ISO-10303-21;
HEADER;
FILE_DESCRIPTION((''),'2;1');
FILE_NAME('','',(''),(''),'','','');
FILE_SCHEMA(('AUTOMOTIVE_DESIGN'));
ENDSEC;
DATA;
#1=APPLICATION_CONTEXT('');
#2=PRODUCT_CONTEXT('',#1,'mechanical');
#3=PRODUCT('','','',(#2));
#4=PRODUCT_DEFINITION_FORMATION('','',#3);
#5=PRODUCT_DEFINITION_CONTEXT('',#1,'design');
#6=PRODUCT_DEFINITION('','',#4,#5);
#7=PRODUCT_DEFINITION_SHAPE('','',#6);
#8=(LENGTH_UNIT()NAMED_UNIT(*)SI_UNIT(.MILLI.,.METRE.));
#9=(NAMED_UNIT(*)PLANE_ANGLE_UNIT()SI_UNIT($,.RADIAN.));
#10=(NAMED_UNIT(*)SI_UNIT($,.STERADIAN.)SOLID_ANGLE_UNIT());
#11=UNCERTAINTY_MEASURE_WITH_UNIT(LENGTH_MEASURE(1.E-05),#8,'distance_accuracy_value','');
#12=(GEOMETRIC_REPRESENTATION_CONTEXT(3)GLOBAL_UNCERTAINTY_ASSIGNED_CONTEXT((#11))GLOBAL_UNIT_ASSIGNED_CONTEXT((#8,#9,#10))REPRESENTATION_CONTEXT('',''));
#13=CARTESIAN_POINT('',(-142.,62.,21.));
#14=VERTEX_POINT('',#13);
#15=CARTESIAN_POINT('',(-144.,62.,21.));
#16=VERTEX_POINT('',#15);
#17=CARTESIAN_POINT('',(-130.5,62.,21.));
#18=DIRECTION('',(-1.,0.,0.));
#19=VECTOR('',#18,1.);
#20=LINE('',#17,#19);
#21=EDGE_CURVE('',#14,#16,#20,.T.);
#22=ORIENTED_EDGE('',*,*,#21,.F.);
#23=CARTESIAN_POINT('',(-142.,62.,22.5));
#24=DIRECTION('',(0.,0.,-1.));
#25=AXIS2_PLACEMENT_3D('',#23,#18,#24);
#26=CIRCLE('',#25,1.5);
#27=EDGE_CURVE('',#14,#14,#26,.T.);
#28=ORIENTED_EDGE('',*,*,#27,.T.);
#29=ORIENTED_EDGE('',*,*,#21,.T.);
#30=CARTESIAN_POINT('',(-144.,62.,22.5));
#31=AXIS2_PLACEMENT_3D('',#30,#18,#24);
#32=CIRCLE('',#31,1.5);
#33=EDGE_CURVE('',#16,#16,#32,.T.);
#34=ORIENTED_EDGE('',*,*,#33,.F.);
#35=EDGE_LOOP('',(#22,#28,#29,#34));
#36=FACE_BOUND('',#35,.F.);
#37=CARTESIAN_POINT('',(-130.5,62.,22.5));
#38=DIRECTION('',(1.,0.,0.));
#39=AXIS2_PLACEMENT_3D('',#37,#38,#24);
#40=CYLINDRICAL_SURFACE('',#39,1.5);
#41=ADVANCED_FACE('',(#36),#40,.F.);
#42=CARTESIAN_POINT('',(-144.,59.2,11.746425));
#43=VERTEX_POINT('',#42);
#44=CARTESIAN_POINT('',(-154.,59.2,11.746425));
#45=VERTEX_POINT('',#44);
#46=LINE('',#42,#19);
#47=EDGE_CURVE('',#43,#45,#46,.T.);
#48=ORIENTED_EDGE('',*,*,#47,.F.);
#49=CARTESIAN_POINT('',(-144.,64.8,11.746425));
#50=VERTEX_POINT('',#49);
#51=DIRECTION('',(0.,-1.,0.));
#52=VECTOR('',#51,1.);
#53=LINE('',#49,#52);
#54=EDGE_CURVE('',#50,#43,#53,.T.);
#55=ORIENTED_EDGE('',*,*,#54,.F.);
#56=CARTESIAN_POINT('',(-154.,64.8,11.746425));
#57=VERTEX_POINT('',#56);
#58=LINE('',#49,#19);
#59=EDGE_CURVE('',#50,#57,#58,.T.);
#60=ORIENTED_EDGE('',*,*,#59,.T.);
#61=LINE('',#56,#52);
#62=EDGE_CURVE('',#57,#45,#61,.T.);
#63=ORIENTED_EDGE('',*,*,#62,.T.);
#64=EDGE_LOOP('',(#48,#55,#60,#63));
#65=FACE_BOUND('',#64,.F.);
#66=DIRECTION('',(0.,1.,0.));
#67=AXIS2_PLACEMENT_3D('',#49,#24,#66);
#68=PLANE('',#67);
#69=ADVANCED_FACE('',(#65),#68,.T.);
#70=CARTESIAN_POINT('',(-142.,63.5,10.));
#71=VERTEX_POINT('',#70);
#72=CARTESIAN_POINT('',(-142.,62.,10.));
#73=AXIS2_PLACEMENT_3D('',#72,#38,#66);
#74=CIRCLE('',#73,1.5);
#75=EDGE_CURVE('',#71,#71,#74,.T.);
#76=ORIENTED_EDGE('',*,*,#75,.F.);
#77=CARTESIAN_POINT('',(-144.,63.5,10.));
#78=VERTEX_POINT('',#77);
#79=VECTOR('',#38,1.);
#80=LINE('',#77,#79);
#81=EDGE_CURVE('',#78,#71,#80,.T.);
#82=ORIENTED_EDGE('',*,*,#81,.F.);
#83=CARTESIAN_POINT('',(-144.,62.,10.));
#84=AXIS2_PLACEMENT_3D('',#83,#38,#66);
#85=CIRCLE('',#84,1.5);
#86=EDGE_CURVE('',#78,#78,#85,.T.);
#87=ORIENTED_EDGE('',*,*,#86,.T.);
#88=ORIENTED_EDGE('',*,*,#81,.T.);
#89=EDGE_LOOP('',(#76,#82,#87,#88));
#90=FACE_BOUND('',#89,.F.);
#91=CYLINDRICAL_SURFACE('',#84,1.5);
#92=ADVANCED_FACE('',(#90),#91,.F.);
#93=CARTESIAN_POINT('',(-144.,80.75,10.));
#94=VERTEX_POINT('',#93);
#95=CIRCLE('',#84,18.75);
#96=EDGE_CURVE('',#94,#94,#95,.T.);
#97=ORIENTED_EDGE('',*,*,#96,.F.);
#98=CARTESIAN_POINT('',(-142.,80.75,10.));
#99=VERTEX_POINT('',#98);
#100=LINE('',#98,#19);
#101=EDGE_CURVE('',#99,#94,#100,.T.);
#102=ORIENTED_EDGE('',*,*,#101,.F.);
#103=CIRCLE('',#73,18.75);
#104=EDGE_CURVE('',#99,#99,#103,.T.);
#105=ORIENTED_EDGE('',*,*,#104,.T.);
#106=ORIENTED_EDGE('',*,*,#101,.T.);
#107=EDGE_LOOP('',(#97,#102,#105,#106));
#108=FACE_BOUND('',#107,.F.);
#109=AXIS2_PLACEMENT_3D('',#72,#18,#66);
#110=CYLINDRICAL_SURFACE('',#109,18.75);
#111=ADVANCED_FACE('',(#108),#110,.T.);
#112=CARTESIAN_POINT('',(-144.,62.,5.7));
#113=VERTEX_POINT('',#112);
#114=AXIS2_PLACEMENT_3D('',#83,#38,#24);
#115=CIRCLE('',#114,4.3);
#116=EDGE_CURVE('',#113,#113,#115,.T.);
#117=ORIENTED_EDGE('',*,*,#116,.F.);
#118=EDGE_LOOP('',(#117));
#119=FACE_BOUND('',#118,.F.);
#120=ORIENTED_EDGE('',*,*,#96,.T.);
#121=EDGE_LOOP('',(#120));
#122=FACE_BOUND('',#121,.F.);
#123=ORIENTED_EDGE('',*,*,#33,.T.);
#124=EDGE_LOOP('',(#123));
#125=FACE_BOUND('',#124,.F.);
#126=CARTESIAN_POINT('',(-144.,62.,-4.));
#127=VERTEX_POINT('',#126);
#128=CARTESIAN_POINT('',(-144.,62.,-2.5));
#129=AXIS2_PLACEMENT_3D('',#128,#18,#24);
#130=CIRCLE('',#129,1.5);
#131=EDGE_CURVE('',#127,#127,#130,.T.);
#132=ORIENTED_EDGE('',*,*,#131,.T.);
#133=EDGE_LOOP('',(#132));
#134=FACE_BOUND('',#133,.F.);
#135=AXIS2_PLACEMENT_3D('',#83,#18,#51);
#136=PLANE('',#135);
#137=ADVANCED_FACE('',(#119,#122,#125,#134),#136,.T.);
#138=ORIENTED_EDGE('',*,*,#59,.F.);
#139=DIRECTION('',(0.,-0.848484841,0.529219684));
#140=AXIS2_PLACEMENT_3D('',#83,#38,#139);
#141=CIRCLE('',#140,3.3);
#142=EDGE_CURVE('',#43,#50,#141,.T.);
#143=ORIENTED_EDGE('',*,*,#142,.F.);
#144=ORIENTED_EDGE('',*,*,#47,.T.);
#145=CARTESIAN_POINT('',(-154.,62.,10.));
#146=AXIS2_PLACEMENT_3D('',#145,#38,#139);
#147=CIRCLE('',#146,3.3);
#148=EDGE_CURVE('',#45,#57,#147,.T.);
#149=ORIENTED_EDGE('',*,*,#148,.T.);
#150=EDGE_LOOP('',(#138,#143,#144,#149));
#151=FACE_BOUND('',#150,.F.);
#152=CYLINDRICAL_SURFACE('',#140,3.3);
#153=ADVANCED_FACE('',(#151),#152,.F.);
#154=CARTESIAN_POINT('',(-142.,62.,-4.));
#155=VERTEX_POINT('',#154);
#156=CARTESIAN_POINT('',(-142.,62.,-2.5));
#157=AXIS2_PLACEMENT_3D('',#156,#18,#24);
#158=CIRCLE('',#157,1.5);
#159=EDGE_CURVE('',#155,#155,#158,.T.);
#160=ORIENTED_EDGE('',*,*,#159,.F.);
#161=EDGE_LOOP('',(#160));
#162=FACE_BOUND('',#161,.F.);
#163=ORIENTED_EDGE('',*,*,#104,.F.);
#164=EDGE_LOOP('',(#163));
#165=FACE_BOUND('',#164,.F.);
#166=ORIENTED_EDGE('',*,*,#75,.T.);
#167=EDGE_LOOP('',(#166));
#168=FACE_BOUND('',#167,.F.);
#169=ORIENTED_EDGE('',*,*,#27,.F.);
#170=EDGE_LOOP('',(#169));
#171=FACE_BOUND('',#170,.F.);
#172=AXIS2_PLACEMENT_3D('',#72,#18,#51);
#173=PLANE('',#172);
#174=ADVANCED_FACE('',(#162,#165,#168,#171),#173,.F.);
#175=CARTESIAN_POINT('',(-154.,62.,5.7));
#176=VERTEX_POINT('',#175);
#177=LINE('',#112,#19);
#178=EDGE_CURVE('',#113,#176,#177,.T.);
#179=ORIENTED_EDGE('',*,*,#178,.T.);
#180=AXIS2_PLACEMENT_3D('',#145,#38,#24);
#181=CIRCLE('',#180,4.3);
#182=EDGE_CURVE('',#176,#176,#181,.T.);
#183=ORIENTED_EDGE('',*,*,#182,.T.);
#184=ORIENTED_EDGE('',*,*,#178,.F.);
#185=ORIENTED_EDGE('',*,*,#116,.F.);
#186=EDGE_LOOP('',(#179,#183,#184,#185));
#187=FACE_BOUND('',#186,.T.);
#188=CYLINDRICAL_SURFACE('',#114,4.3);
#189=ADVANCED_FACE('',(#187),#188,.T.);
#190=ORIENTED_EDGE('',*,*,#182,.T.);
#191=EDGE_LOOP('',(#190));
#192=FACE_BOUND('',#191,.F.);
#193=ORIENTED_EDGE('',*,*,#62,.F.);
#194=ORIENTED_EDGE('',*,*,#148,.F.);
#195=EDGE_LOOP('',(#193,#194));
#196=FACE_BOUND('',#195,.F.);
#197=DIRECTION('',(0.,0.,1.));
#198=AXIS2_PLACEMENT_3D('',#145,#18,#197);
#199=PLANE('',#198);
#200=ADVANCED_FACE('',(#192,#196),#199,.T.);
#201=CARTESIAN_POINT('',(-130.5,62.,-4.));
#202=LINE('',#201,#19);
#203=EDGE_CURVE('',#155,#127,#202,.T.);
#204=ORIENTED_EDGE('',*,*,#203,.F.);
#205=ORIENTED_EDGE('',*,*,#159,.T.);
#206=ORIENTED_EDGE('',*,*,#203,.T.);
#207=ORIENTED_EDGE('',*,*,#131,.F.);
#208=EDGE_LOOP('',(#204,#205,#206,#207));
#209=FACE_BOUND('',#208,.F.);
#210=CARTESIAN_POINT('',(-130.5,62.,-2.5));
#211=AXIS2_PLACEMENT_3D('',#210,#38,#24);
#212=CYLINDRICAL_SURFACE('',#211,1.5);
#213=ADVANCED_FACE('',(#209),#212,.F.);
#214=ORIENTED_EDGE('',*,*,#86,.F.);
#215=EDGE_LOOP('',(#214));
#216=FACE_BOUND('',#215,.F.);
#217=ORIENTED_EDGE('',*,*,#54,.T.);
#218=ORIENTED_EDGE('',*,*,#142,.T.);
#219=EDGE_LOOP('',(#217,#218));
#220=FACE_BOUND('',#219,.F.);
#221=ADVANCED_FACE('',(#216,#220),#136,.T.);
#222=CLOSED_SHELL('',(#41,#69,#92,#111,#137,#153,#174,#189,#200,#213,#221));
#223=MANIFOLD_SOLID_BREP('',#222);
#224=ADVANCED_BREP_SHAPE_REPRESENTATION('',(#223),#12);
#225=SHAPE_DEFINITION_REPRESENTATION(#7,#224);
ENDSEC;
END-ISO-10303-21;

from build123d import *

# Parameters (mm, degrees)
CYLINDER031_R           = 1.5
CYLINDER031_DEPTH       = 15
CYLINDER031_PITCH_ANGLE = 90
CYLINDER030_R           = 1.5
CYLINDER030_DEPTH       = 15
CYLINDER030_PITCH_ANGLE = 90
SKETCH016_R             = 4.3
EXTRUDE011_DEPTH        = 10
FUSION039_PITCH_ANGLE   = 90


with BuildPart() as m3_hole008:
    # Cylinder031 → Cylinder031 (new body)
    with BuildSketch(Plane.XY):
        Circle(CYLINDER031_R)
    extrude(amount=CYLINDER031_DEPTH)


with BuildPart() as m3_hole008_1:
    # Cylinder031 pitch: moved
    add(m3_hole008.part.rotate(Axis((0, 0, 0), (0, 1, 0)), CYLINDER031_PITCH_ANGLE))


with BuildPart() as m3_hole008_2:
    # Cylinder031 placement: moved
    add(m3_hole008_1.part.moved(Location((163.5, 47, -2.5))))


with BuildPart() as encoder_to_wheel_holes:
    # Cylinder030 → Cylinder030 (new body)
    with BuildSketch(Plane.XY):
        Circle(CYLINDER030_R)
    extrude(amount=CYLINDER030_DEPTH)


with BuildPart() as encoder_to_wheel_holes_1:
    # Cylinder030 pitch: moved
    add(encoder_to_wheel_holes.part.rotate(Axis((0, 0, 0), (0, 1, 0)), CYLINDER030_PITCH_ANGLE))


with BuildPart() as encoder_to_wheel_holes_2:
    # Cylinder030 placement: moved
    add(encoder_to_wheel_holes_1.part.moved(Location((163.5, 47, 22.5))))

    # Fusion096: union M3 hole008
    add(m3_hole008_2.part)


with BuildPart() as extrude011:
    # Sketch016 → Extrude011 (new body)
    with BuildSketch(Plane.XY.offset(2)):
        Circle(SKETCH016_R)
        with BuildLine():
            Line((-1.746425, 2.8), (-1.746425, -2.8))
            ThreePointArc((-1.746425, -2.8), (3.3, 0), (-1.746425, 2.8))
        make_face(mode=Mode.SUBTRACT)
    extrude(amount=EXTRUDE011_DEPTH)


with BuildPart() as encoder_to_wheel_piece:
    # Sketch015 → Revolve (revolve)
    with BuildSketch(Plane.YZ):
        Polygon((18.75, 0), (18.75, 2), (3.75, 2), (1.5, 2), (1.5, 0), (3, 0), align=None)
    revolve(axis=Axis((0, 0, 0), (0, 0, 1)))

    # Fusion039: union Extrude011
    add(extrude011.part)


with BuildPart() as encoder_to_wheel_piece_1:
    # Fusion039 pitch: moved
    add(encoder_to_wheel_piece.part.rotate(Axis((0, 0, 0), (0, 1, 0)), FUSION039_PITCH_ANGLE))


with BuildPart() as encoder_to_wheel_piece_2:
    # Fusion039 placement: moved
    add(encoder_to_wheel_piece_1.part.moved(Location((175, 47, 10))))

    # Cut055: cut Encoder-to-wheel holes
    add(encoder_to_wheel_holes_2.part, mode=Mode.SUBTRACT)


with BuildPart() as encoder_to_wheel_piece_3:
    # Cut055 placement: moved
    add(encoder_to_wheel_piece_2.part.moved(Location((-23, 15, 0))))


with BuildPart() as part_mirroring009:
    # Part__Mirroring009: instance of Encoder-to-wheel piece
    add(encoder_to_wheel_piece_3.part.mirror(Plane(origin=(5, 0, 0), x_dir=(0, -1, 0), z_dir=(1, 0, 0))))


solid = part_mirroring009.part
